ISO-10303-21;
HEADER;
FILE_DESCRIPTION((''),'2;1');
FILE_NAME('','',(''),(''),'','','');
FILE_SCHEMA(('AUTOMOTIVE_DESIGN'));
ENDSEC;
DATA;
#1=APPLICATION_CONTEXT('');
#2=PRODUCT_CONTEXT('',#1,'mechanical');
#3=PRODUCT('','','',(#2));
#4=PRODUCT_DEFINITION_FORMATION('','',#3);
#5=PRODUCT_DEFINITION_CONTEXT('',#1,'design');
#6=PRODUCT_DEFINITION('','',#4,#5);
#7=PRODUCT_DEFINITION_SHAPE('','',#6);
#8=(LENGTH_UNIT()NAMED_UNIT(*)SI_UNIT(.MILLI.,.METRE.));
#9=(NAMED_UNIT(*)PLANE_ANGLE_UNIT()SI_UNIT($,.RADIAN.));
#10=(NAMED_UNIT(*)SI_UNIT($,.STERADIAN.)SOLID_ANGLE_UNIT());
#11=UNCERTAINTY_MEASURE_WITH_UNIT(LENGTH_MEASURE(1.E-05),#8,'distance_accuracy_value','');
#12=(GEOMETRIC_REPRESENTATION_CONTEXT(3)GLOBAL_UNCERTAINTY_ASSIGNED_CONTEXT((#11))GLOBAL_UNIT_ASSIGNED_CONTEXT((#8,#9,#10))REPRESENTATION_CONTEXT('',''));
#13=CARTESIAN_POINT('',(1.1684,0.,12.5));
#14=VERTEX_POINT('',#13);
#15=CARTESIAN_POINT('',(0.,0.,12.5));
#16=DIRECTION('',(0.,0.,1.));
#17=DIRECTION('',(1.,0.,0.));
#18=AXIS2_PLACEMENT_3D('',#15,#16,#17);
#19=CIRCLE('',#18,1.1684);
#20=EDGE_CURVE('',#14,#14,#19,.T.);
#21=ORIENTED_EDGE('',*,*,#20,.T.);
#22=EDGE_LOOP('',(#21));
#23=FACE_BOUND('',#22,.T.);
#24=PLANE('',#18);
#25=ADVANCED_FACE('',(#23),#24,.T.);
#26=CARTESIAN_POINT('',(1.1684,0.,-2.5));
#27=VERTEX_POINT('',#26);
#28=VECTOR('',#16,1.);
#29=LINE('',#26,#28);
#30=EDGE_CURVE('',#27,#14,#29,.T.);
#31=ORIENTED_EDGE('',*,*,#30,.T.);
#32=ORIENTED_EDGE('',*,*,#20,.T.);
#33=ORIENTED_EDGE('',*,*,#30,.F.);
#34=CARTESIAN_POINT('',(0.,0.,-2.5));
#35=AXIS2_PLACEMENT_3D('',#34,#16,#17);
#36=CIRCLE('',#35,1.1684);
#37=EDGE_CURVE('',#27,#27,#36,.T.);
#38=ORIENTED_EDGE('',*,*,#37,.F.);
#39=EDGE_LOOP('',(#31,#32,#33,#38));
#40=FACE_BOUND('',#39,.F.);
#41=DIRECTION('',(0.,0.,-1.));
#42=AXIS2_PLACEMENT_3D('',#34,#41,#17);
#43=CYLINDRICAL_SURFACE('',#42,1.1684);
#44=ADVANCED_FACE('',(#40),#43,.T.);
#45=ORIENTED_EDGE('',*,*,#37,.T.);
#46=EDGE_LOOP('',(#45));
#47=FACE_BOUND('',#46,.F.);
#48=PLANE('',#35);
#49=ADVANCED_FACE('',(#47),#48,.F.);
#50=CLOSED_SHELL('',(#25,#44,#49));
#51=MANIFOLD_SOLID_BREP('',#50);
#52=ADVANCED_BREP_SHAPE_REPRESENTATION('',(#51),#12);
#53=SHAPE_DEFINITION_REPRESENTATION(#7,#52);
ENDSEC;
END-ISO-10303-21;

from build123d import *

# Parameters (mm, degrees)
CYLINDER_R     = 1.1684
CYLINDER_DEPTH = 15


with BuildPart() as part:
    # Cylinder → Cylinder (new body)
    with BuildSketch(Plane.XY.offset(-2.5)):
        Circle(CYLINDER_R)
    extrude(amount=CYLINDER_DEPTH)


solid = part.part
